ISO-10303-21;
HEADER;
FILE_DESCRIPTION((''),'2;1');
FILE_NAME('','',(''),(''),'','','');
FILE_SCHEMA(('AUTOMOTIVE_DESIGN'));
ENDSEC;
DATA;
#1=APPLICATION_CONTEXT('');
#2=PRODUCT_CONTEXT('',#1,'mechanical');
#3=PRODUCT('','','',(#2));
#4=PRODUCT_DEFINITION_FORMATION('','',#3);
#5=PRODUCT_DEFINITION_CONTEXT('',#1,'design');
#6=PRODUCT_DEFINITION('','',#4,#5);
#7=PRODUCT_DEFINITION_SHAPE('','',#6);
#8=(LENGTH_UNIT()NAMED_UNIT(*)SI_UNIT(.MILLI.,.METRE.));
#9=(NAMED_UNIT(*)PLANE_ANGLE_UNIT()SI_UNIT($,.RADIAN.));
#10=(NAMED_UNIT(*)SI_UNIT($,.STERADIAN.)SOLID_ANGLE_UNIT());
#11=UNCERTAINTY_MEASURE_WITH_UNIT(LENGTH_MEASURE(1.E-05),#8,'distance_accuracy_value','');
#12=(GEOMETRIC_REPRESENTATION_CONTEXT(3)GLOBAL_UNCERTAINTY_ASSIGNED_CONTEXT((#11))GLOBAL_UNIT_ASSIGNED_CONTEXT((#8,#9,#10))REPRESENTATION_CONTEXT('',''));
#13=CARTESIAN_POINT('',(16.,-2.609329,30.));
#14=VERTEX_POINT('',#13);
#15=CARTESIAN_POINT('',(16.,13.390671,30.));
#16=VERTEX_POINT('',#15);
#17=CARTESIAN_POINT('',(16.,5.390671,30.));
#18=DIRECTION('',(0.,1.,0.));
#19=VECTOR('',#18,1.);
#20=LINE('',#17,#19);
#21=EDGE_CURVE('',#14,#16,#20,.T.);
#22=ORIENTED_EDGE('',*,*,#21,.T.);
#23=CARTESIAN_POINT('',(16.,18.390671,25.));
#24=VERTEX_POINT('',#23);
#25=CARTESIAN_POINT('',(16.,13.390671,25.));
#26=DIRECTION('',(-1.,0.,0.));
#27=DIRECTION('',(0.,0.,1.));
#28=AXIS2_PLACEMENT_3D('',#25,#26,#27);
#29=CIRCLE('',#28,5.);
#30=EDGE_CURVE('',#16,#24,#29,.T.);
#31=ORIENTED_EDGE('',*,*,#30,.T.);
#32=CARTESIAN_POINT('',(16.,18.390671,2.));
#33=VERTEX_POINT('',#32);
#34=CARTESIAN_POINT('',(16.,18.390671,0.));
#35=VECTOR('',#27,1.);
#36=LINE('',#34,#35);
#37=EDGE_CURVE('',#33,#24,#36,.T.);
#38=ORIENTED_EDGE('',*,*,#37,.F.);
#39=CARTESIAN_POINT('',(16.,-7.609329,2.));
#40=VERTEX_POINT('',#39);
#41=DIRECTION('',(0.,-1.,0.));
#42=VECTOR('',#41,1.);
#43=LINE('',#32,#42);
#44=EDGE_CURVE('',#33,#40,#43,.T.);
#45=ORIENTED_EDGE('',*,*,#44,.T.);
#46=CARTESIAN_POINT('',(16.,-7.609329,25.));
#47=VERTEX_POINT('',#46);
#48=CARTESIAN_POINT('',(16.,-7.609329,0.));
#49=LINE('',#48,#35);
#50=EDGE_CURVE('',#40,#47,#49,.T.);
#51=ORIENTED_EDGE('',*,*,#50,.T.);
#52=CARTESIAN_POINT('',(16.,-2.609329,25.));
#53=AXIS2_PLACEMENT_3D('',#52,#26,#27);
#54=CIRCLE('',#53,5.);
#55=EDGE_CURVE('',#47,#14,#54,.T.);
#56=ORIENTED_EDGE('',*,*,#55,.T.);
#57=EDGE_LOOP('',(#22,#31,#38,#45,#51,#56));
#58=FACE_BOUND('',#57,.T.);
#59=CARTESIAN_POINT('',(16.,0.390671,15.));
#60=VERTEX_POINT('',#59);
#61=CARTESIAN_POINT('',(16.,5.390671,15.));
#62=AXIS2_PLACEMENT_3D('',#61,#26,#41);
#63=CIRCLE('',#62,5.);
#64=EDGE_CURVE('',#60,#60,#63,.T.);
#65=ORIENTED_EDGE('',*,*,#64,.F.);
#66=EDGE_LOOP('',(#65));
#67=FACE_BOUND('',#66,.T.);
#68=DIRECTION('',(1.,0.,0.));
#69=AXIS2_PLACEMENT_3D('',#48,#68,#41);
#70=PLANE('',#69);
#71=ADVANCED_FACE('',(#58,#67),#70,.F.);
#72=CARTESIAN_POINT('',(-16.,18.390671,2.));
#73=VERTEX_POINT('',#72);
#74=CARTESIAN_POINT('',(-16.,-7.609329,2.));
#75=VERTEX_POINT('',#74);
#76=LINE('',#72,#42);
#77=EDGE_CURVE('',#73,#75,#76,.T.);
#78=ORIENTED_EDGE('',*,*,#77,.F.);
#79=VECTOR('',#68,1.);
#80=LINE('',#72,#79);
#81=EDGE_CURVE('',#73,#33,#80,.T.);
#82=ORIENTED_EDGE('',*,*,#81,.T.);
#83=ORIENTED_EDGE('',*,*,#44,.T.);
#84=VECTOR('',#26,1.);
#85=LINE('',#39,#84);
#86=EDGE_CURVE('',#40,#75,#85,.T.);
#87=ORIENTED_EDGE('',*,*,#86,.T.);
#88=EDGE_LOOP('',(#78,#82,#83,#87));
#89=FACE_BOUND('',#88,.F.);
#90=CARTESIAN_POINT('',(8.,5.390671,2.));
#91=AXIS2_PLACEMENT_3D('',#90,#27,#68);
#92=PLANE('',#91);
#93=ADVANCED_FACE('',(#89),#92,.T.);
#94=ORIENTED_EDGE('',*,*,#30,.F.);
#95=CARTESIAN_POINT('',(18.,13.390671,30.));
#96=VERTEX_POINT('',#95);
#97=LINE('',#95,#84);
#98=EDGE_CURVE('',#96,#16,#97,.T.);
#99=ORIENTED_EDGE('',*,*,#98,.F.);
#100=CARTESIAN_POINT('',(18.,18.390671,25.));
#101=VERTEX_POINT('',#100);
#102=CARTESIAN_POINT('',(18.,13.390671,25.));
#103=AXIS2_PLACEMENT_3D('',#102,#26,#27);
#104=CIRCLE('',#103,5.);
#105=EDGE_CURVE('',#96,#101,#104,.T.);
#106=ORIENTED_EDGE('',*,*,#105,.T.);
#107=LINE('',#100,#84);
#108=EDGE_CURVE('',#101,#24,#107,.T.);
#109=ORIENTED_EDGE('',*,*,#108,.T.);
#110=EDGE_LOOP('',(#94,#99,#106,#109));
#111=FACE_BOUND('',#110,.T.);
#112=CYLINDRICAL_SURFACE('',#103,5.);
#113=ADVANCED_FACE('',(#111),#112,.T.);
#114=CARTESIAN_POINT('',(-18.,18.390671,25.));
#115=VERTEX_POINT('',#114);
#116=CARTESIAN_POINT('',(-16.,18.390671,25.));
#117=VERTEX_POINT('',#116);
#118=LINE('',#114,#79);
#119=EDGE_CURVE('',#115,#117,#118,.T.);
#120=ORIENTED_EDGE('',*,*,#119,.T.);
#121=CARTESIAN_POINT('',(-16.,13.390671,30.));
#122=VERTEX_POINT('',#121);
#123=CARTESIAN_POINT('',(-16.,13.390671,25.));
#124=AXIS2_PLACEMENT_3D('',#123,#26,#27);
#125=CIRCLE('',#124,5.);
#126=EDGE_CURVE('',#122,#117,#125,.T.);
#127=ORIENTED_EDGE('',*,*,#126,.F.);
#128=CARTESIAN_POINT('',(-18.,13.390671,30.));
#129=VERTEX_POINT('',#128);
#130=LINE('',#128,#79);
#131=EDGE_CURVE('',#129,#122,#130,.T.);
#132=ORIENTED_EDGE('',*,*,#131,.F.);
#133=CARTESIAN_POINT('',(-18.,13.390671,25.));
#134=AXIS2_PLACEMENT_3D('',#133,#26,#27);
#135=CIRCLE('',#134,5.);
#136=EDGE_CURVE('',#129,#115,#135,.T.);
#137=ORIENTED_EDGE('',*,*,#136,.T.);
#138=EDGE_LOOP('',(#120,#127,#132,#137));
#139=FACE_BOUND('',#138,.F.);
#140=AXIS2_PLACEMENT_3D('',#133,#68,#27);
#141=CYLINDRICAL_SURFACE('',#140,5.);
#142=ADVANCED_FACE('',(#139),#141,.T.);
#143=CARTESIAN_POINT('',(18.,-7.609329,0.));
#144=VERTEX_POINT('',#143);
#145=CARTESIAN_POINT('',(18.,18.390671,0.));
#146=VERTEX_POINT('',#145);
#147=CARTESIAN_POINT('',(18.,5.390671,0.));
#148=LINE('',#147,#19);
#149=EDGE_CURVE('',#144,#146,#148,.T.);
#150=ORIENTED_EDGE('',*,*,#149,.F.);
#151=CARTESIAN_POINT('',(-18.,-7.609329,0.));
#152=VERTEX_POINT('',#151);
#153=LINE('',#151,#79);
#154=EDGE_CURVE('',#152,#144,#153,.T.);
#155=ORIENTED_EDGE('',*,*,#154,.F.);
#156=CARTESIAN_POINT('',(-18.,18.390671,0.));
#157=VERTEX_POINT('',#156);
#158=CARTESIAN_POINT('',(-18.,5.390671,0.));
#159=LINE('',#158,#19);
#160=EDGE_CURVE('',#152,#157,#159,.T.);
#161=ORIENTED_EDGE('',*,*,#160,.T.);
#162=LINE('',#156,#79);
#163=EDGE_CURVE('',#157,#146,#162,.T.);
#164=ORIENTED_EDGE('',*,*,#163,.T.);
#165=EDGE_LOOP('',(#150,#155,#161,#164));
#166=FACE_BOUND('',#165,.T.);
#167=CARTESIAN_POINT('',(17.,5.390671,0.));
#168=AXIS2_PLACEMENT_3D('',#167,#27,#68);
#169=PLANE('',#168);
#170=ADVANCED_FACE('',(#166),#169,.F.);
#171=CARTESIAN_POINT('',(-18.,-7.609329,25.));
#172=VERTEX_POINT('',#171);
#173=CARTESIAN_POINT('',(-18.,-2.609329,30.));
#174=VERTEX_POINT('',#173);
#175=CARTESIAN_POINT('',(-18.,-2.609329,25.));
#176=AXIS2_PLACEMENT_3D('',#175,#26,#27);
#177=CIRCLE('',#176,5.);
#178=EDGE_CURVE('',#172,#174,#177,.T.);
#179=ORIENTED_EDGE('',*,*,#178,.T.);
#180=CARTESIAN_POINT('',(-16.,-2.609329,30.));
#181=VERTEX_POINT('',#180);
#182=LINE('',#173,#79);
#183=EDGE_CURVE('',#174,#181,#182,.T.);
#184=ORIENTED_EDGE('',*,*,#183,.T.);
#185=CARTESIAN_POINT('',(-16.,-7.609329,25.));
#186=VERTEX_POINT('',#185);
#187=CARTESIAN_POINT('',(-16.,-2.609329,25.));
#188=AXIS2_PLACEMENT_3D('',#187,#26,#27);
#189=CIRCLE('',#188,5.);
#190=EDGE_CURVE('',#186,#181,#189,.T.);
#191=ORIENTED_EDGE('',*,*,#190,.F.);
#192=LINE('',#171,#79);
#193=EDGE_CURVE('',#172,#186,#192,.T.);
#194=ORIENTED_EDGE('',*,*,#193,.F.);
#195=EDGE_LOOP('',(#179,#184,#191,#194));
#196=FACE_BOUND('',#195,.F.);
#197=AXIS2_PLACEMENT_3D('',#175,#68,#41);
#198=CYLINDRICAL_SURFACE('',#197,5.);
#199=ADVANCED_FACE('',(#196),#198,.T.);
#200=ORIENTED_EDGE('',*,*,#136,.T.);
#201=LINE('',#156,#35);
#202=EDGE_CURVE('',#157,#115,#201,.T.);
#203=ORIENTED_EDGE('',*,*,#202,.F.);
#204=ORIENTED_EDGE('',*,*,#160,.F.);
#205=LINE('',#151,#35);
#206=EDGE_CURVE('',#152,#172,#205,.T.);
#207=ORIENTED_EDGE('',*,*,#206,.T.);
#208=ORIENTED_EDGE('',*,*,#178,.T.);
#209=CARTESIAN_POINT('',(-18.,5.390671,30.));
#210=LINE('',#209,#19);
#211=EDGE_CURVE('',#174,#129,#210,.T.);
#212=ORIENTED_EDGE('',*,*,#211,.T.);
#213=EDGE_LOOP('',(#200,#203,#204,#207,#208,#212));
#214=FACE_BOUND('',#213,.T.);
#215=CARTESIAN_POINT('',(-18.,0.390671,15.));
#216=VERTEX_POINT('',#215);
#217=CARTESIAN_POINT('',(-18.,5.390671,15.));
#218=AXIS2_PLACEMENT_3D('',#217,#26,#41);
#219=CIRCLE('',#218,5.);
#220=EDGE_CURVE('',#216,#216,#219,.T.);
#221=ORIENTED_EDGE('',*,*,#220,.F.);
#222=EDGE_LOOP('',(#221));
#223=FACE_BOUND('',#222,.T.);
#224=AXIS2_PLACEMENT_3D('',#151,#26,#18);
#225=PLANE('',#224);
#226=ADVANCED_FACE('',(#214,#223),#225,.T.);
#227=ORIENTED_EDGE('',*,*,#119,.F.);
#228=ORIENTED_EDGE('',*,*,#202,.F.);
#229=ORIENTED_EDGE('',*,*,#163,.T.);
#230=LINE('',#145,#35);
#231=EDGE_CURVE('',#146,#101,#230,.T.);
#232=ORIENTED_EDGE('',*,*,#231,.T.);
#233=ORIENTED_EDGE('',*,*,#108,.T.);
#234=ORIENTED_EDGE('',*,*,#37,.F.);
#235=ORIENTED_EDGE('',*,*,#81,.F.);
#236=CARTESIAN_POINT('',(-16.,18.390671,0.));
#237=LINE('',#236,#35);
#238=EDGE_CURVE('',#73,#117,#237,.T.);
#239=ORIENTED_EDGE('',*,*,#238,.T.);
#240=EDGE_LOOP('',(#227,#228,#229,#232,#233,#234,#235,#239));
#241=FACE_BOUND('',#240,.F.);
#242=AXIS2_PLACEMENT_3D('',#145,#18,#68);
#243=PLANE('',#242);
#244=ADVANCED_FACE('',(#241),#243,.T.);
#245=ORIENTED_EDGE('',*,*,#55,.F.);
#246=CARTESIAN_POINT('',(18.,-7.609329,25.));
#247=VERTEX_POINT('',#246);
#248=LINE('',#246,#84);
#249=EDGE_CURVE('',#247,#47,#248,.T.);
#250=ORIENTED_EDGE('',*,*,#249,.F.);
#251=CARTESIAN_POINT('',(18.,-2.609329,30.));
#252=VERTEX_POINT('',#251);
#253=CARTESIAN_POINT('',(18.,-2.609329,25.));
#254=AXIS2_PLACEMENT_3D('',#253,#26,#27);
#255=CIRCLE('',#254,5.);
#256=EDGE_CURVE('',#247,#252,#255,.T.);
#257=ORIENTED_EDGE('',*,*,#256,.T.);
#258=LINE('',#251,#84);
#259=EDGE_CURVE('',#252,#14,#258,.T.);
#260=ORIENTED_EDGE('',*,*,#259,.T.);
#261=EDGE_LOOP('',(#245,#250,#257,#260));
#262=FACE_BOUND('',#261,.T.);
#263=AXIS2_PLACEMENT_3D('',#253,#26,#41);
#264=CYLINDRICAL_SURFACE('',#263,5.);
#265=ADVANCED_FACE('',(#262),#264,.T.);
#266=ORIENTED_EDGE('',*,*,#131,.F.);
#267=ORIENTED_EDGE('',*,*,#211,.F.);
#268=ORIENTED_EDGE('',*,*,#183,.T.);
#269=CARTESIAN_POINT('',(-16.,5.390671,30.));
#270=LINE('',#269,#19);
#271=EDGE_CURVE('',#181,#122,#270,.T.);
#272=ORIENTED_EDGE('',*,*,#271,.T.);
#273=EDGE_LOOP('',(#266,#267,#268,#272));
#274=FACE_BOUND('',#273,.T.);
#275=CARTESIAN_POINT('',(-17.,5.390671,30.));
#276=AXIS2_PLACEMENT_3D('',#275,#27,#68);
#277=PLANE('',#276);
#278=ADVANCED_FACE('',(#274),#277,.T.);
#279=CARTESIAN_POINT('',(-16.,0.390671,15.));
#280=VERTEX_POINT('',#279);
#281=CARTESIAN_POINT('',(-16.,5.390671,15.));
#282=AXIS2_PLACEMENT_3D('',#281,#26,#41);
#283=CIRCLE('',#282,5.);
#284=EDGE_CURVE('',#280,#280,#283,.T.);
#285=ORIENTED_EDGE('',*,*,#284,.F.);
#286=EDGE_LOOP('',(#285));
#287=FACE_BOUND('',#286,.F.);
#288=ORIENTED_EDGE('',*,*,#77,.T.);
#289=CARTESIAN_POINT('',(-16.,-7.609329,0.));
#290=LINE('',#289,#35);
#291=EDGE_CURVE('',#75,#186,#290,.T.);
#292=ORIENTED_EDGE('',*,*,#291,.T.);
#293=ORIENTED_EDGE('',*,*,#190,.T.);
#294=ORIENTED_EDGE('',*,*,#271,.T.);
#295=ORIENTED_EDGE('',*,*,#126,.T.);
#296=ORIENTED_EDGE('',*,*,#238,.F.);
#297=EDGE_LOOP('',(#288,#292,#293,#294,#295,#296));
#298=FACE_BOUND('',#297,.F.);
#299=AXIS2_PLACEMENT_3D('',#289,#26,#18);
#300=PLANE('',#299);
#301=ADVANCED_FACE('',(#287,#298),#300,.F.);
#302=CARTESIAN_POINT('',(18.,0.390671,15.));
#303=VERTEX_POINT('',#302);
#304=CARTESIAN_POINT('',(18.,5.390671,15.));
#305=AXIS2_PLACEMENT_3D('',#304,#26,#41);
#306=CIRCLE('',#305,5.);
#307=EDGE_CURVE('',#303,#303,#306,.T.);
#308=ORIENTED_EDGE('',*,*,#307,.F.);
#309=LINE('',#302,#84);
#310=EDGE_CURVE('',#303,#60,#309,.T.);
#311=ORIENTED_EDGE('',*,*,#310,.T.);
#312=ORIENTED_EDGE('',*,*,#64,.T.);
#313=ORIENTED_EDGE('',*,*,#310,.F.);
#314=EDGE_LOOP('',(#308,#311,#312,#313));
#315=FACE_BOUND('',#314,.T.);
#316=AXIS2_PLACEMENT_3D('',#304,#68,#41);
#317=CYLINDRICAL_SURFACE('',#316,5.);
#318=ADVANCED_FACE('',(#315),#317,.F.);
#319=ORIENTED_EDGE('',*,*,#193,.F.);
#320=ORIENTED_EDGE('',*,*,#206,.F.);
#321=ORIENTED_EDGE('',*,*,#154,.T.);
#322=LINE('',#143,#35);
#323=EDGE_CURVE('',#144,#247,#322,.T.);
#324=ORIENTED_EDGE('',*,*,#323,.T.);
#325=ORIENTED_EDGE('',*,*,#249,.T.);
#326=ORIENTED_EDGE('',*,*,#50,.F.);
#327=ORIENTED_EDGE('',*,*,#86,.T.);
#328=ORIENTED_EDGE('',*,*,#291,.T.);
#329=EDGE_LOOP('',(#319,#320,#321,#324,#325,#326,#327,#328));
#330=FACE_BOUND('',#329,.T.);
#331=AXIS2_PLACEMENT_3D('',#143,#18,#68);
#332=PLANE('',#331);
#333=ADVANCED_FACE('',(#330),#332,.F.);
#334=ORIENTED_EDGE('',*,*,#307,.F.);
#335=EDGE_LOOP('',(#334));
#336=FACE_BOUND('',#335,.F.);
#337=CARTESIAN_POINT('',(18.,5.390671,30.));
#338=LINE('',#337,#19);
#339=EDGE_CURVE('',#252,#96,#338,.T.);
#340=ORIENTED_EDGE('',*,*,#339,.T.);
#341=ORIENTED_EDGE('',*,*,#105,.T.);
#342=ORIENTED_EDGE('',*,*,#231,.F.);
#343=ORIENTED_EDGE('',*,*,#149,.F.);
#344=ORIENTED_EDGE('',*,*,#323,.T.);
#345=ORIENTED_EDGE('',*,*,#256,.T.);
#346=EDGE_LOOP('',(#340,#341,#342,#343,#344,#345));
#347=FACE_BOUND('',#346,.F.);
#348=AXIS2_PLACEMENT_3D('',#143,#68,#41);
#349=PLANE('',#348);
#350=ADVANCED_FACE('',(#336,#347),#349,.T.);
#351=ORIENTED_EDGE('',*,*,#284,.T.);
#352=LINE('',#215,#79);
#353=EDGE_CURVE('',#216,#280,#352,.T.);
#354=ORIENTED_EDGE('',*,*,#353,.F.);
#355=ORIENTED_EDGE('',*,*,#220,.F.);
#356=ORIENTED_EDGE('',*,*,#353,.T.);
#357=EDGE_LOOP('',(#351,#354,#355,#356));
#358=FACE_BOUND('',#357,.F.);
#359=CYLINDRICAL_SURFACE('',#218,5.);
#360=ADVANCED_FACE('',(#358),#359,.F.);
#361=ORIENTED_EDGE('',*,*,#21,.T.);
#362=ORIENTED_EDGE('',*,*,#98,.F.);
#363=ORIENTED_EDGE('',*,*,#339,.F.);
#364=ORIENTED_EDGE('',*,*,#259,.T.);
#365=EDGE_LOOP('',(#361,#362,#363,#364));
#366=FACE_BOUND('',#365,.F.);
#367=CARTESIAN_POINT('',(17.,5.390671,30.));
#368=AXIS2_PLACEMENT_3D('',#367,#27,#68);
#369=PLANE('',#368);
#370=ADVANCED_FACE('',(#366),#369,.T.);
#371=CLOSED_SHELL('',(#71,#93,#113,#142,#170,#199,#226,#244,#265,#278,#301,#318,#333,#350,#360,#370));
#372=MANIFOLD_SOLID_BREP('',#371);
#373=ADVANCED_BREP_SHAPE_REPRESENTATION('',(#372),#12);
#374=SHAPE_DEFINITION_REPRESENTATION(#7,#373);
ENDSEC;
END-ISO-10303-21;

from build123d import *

# Parameters (mm, degrees)
F1_DEPTH = 2
F0_W     = 2
F0_H     = 26
F2_DEPTH = 30
F3_R     = 5
F4_DEPTH = 2
F5_R     = 5


with BuildPart() as f1:
    # F0 (on Top) → F1 (new body)
    with BuildSketch(Plane.XY):
        Polygon((0, 0), (0, 18.390671), (-16, 18.390671), (-16, -7.609329), (0, -7.609329), align=None)
    extrude(amount=F1_DEPTH)

    # F0 (on Top) → F2 (join)
    with BuildSketch(Plane.XY):
        with Locations((-17, 5.390671)):
            Rectangle(F0_W, F0_H)
    extrude(amount=F2_DEPTH)

    # F3 (on face) → F4 (cut)
    with BuildSketch(Plane(origin=(-18, 0, 0), x_dir=(0, -1, 0), z_dir=(-1, 0, 0))):
        with Locations((-5.390671, 15)):
            Circle(F3_R)
    extrude(amount=-F4_DEPTH, mode=Mode.SUBTRACT)

    # F5
    f5_edges = [f1.edges().sort_by_distance(p)[0] for p in [
        (-17, 18.390671, 30),
        (-17, -7.609329, 30),
    ]]
    fillet(f5_edges, radius=F5_R)

    # F6: F1 across plane


with BuildPart() as f1_1:
    add(f1.part)
    add(f1.part.mirror(Plane.YZ))


solid = f1_1.part
